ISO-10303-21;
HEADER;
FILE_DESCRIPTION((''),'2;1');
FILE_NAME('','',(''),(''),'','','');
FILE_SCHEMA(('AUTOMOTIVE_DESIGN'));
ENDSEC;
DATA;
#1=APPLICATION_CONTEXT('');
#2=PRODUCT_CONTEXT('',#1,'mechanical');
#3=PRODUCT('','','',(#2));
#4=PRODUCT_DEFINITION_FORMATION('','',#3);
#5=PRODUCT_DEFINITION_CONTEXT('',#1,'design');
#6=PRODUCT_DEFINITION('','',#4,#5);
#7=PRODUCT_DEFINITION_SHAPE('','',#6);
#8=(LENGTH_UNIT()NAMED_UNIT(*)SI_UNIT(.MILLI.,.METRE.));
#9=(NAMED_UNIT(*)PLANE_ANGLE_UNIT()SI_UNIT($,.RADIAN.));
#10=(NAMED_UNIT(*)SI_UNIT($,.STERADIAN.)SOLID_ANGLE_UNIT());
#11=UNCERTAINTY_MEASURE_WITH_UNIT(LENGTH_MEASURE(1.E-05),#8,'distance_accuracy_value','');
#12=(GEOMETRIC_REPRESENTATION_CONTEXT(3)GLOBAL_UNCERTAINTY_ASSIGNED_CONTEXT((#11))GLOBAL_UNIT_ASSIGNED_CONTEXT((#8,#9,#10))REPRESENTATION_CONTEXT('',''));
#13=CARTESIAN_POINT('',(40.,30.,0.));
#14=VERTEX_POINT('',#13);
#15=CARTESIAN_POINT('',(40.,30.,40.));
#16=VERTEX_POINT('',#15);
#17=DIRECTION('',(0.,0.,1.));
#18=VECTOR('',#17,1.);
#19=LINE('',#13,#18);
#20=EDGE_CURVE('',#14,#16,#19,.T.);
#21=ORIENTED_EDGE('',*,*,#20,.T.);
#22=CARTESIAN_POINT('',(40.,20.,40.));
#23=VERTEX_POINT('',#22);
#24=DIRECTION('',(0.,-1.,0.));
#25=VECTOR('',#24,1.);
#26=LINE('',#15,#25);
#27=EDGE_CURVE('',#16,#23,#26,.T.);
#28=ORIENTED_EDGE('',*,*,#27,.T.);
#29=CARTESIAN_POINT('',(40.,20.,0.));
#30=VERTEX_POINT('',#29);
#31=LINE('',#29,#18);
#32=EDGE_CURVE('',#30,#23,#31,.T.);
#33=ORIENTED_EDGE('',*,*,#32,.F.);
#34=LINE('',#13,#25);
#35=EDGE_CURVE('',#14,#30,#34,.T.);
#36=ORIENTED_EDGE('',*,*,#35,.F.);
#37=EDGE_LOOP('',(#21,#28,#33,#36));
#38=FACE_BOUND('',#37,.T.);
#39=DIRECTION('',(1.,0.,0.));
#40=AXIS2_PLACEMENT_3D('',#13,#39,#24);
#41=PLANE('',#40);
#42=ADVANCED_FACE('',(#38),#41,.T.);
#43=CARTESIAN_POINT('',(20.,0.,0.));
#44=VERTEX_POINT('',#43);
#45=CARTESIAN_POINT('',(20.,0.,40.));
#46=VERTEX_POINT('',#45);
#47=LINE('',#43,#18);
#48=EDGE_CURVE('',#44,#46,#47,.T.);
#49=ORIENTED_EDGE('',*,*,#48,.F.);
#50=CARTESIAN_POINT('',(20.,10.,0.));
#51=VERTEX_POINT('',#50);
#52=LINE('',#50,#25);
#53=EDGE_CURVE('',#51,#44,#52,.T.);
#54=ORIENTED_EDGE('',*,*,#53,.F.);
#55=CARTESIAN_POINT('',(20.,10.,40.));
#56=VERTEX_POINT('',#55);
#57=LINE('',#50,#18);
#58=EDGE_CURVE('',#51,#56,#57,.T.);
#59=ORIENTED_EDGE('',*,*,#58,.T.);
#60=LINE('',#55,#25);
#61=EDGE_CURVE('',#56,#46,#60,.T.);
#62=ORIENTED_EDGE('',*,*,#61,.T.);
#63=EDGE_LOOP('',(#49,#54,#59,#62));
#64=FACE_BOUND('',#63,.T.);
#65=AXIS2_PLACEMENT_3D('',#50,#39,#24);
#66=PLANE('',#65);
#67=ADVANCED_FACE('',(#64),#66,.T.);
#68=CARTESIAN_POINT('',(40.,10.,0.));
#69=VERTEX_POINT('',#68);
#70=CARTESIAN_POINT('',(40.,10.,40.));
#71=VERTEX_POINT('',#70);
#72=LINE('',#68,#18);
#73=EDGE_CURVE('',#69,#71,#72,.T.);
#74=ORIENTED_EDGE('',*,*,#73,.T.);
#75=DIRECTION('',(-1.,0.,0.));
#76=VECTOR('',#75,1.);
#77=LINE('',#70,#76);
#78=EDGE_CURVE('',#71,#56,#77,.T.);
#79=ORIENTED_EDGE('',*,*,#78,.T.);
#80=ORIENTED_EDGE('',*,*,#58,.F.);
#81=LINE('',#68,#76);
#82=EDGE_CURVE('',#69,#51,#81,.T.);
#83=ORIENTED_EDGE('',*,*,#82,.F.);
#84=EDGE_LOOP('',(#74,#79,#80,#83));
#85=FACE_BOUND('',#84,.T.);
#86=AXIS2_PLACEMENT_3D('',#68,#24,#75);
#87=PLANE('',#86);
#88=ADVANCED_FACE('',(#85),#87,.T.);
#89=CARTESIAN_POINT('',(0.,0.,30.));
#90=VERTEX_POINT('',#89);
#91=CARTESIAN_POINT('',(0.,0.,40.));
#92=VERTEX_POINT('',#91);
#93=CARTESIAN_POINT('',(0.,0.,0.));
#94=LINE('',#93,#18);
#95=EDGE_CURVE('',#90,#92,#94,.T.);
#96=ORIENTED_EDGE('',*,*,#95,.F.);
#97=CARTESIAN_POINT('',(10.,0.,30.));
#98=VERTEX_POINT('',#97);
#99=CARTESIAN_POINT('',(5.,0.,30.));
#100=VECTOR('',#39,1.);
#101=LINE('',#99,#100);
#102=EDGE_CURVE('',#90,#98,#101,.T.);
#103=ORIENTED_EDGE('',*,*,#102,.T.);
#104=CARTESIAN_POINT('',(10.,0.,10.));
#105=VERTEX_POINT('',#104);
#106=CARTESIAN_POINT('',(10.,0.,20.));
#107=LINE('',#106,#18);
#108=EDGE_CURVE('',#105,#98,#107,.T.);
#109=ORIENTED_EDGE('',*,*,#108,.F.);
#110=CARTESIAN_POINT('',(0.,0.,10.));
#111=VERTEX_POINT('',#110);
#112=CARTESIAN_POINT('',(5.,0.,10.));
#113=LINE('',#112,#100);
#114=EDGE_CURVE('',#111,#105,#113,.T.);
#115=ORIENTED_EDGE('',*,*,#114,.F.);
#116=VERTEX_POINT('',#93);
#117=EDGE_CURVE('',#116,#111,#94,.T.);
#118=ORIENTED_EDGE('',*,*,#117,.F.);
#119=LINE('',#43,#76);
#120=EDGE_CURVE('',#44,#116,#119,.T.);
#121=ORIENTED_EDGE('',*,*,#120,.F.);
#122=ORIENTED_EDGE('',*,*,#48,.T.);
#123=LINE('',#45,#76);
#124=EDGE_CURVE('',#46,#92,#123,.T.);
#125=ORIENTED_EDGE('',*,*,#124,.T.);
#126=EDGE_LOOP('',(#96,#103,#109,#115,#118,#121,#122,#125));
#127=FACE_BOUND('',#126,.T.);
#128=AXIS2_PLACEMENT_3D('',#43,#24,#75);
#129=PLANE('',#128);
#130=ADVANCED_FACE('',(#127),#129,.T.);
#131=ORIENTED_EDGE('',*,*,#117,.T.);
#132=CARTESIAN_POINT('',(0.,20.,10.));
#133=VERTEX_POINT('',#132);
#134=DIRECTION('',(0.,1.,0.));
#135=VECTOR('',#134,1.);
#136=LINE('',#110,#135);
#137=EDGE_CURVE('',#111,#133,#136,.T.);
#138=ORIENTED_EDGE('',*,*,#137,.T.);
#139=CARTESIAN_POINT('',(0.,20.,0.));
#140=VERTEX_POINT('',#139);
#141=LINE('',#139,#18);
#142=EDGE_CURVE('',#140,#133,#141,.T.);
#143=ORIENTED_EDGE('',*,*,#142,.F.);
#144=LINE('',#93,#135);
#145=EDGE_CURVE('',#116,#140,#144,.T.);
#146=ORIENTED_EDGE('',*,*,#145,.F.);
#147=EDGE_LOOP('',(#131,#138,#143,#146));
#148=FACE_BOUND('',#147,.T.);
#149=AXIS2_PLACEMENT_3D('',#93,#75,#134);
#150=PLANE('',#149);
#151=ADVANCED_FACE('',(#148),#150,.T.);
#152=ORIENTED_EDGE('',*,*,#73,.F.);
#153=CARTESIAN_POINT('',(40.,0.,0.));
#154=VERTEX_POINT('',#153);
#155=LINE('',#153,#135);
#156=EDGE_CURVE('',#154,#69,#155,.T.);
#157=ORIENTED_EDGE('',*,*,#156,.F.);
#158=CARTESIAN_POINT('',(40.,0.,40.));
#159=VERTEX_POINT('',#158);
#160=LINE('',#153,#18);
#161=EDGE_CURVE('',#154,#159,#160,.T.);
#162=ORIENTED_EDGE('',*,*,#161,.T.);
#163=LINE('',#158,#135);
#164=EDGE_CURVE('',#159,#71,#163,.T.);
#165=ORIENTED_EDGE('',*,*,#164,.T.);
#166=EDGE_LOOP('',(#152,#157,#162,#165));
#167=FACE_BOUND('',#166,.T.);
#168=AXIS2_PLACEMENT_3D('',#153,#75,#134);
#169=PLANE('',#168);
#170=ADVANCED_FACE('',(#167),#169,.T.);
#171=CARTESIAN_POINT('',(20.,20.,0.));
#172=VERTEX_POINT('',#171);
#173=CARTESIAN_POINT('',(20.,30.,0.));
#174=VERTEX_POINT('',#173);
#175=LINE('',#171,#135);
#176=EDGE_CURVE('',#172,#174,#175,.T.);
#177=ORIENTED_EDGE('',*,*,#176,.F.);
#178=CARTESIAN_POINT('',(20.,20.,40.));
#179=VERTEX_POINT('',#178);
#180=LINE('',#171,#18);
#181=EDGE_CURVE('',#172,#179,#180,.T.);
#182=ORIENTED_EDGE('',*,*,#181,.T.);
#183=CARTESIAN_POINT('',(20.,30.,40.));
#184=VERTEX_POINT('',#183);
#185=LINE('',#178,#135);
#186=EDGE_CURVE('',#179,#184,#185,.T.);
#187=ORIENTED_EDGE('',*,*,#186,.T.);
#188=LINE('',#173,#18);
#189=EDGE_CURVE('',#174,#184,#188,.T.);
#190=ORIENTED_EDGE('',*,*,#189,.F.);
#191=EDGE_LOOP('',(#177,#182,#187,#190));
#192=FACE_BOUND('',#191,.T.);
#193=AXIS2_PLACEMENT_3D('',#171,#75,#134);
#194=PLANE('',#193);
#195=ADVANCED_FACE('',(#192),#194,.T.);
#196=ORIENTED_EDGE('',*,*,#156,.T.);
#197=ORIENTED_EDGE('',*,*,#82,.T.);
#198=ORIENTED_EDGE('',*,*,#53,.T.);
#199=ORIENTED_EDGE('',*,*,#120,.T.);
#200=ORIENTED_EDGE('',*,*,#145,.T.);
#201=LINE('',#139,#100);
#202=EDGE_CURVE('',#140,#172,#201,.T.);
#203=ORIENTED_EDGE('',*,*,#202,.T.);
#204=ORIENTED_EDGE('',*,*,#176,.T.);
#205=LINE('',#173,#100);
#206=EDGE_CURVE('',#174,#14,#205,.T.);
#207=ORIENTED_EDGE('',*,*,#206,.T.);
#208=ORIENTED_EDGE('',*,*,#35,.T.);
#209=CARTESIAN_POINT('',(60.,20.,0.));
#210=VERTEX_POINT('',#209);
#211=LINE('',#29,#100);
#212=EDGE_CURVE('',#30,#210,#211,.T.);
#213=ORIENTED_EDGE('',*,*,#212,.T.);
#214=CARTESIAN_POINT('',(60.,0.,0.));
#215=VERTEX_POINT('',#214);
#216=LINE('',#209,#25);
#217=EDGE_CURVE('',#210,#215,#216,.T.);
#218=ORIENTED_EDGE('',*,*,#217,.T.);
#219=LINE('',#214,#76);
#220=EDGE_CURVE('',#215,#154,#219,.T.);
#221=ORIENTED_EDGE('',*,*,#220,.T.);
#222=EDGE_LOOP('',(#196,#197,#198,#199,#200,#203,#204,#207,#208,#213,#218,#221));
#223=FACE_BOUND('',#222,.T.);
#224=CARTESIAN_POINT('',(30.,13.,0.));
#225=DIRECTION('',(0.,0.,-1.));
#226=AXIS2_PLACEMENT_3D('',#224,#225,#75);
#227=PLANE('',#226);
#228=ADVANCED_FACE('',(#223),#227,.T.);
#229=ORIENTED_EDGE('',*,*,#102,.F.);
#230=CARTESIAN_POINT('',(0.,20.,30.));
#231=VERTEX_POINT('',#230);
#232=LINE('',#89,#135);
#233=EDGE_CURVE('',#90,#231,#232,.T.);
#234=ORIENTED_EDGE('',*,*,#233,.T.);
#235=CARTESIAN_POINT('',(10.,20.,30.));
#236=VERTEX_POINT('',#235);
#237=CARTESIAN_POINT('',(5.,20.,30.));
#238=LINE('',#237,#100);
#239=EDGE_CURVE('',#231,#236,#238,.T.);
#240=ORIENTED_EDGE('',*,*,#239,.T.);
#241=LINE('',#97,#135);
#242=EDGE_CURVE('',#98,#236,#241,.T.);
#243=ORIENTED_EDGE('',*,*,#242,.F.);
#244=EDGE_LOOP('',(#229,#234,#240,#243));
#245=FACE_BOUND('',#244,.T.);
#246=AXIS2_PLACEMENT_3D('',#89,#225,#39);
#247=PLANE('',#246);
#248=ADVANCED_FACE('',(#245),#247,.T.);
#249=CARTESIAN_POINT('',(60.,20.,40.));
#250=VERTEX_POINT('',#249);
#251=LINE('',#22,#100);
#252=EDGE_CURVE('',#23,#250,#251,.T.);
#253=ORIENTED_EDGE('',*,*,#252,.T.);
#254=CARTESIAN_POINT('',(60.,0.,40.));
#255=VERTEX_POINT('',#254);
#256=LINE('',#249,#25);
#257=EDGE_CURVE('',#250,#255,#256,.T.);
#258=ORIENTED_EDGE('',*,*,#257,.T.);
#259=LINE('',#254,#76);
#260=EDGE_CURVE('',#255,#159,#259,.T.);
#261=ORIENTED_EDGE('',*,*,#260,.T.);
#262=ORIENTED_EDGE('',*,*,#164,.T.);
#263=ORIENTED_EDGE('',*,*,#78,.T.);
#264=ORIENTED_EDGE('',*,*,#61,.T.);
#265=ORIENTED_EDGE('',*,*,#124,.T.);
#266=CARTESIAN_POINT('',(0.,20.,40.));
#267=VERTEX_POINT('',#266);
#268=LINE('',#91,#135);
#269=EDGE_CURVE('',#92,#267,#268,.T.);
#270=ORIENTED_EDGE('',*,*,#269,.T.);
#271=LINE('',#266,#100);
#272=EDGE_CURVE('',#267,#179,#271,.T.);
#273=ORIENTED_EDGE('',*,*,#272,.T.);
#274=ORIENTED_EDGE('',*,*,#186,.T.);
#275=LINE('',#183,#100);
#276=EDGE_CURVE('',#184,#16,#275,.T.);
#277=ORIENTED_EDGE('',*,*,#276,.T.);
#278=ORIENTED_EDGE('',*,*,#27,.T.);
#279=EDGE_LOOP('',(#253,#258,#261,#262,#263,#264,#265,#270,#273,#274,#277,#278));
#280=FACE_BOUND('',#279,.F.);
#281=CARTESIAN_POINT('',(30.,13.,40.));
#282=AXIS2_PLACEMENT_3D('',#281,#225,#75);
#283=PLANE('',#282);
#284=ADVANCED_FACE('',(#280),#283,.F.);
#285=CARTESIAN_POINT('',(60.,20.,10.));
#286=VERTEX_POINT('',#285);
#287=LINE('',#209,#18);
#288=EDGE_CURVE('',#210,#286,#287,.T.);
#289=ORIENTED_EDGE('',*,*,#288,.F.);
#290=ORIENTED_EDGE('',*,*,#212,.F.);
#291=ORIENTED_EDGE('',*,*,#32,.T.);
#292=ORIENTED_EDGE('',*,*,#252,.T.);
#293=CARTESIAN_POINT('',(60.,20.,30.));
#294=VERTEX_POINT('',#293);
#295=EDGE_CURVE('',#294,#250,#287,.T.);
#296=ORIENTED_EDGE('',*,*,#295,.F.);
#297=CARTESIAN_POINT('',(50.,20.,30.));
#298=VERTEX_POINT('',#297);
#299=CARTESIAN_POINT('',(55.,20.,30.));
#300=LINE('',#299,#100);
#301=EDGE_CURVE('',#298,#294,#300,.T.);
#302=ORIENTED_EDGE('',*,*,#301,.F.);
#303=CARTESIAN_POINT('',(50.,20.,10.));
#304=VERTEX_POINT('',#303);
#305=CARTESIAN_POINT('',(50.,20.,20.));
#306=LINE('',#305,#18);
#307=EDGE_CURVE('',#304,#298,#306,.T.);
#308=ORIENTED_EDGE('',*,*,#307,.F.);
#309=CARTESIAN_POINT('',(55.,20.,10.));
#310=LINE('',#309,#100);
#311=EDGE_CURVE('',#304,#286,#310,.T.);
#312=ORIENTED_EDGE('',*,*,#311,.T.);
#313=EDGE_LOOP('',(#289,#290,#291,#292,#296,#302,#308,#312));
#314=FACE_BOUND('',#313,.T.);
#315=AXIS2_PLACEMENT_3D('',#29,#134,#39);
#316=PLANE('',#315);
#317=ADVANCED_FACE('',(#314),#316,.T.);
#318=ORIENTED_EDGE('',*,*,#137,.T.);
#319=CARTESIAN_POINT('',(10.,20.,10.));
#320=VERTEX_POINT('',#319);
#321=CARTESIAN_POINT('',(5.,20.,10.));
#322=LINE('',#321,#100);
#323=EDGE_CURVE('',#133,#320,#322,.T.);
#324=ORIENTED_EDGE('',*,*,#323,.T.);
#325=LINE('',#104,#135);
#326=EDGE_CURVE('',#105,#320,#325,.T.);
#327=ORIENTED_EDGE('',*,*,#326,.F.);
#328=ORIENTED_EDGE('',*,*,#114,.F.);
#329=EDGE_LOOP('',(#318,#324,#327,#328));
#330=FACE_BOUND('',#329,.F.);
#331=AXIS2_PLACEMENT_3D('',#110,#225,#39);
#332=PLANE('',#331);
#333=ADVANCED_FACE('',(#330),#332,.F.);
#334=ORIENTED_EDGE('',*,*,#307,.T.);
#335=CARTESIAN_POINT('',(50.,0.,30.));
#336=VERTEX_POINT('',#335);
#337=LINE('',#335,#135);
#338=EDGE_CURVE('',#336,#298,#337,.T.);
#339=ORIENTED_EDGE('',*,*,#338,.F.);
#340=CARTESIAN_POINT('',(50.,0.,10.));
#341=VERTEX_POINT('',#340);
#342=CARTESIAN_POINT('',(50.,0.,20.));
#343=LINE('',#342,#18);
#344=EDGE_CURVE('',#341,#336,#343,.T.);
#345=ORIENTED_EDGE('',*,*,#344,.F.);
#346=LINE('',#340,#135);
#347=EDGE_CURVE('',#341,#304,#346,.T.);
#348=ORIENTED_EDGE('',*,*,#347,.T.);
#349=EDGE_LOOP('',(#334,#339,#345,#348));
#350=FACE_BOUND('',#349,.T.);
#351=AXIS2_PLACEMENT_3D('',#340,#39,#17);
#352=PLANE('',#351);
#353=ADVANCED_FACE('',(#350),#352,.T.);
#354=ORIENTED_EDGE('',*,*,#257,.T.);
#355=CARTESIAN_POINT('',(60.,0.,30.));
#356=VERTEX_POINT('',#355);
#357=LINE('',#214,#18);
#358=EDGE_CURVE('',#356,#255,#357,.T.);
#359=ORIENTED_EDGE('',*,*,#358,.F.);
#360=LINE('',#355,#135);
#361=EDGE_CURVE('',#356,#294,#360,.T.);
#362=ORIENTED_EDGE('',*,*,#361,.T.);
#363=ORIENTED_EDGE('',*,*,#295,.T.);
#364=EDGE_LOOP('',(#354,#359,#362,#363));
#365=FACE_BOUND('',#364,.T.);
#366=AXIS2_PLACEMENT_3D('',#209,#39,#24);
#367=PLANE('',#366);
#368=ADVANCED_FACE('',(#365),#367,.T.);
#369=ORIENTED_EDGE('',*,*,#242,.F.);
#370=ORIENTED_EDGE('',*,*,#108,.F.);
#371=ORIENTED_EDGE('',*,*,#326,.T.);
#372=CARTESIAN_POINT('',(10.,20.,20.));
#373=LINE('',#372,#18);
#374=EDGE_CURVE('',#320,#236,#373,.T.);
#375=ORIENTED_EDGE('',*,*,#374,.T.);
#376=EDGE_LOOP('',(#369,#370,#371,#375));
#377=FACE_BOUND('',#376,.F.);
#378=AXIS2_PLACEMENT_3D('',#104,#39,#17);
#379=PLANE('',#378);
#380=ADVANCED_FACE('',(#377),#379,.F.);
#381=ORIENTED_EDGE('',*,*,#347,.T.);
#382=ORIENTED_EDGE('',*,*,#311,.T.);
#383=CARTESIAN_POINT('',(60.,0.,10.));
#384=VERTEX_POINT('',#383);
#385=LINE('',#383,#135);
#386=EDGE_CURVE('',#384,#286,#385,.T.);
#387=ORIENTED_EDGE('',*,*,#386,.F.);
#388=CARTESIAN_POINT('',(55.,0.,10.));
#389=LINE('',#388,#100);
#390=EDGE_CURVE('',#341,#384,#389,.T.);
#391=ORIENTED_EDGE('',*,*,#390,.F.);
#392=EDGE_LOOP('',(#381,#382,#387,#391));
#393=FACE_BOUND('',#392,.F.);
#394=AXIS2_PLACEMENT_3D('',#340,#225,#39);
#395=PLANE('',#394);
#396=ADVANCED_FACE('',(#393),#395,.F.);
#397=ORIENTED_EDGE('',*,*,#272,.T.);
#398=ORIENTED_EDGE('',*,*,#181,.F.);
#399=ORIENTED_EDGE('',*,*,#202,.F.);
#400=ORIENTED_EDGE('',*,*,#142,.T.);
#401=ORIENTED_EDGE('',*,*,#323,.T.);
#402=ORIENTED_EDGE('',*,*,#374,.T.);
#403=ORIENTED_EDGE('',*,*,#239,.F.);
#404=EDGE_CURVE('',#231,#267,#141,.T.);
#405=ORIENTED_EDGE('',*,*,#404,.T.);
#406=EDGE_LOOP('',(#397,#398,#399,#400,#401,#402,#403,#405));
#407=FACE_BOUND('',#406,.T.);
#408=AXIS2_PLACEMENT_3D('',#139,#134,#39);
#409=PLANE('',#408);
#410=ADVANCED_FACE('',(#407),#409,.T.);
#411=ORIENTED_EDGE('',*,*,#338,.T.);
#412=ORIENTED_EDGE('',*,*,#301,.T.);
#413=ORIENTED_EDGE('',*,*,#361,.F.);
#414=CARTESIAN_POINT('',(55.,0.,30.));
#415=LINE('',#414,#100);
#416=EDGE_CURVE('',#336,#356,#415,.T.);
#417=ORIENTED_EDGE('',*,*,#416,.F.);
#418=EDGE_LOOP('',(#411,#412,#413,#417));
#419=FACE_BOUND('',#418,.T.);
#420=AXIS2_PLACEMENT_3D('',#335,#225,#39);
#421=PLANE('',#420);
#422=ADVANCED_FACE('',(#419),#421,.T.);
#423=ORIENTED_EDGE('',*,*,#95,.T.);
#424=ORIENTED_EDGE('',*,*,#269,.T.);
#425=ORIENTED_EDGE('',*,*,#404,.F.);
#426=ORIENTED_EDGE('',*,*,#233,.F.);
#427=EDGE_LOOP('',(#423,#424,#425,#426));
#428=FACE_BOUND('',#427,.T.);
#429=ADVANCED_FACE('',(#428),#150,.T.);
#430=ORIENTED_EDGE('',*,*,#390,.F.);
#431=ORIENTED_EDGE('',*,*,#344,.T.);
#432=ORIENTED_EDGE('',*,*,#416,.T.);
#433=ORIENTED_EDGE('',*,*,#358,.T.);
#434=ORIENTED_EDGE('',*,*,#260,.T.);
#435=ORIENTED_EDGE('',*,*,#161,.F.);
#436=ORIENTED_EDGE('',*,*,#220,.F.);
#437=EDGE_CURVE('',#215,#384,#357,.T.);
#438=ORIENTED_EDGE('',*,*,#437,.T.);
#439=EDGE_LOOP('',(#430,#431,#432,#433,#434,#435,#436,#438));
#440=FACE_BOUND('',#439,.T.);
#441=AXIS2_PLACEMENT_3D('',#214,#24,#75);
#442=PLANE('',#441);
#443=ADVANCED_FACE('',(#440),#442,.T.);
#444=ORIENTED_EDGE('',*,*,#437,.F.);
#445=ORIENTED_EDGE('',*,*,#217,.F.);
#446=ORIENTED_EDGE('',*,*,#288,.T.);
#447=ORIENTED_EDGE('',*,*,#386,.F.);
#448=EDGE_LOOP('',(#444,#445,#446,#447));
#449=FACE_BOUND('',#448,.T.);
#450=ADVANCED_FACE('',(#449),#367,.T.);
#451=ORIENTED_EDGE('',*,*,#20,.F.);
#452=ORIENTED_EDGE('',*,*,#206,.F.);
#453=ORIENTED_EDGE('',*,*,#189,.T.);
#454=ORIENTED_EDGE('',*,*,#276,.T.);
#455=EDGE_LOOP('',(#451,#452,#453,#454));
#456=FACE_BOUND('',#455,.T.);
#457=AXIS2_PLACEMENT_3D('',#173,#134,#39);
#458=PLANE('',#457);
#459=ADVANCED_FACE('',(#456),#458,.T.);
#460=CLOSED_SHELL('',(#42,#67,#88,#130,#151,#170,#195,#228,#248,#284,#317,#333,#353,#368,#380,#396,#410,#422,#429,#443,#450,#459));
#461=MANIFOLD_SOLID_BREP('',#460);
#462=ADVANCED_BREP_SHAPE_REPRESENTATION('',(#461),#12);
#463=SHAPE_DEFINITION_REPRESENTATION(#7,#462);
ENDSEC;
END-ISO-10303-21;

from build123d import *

# Parameters (mm, degrees)
PAD_DEPTH    = 40
SKETCH002_W  = 10
SKETCH002_H  = 20
POCKET_DEPTH = 20


with BuildPart() as part:
    # Sketch → Pad (new body)
    with BuildSketch(Plane.XY):
        Polygon((0, 0), (0, 20), (20, 20), (20, 30), (40, 30), (40, 20), (60, 20), (60, 0), (40, 0), (40, 10), (20, 10), (20, 0), align=None)
    extrude(amount=PAD_DEPTH)

    # Sketch002 (on Face8 of Pad) → Pocket (cut)
    with BuildSketch(Plane.XZ):
        with Locations((5, 20)):
            Rectangle(SKETCH002_W, SKETCH002_H)
        with Locations((55, 20)):
            Rectangle(SKETCH002_W, SKETCH002_H)
    extrude(amount=-POCKET_DEPTH, mode=Mode.SUBTRACT)


solid = part.part
